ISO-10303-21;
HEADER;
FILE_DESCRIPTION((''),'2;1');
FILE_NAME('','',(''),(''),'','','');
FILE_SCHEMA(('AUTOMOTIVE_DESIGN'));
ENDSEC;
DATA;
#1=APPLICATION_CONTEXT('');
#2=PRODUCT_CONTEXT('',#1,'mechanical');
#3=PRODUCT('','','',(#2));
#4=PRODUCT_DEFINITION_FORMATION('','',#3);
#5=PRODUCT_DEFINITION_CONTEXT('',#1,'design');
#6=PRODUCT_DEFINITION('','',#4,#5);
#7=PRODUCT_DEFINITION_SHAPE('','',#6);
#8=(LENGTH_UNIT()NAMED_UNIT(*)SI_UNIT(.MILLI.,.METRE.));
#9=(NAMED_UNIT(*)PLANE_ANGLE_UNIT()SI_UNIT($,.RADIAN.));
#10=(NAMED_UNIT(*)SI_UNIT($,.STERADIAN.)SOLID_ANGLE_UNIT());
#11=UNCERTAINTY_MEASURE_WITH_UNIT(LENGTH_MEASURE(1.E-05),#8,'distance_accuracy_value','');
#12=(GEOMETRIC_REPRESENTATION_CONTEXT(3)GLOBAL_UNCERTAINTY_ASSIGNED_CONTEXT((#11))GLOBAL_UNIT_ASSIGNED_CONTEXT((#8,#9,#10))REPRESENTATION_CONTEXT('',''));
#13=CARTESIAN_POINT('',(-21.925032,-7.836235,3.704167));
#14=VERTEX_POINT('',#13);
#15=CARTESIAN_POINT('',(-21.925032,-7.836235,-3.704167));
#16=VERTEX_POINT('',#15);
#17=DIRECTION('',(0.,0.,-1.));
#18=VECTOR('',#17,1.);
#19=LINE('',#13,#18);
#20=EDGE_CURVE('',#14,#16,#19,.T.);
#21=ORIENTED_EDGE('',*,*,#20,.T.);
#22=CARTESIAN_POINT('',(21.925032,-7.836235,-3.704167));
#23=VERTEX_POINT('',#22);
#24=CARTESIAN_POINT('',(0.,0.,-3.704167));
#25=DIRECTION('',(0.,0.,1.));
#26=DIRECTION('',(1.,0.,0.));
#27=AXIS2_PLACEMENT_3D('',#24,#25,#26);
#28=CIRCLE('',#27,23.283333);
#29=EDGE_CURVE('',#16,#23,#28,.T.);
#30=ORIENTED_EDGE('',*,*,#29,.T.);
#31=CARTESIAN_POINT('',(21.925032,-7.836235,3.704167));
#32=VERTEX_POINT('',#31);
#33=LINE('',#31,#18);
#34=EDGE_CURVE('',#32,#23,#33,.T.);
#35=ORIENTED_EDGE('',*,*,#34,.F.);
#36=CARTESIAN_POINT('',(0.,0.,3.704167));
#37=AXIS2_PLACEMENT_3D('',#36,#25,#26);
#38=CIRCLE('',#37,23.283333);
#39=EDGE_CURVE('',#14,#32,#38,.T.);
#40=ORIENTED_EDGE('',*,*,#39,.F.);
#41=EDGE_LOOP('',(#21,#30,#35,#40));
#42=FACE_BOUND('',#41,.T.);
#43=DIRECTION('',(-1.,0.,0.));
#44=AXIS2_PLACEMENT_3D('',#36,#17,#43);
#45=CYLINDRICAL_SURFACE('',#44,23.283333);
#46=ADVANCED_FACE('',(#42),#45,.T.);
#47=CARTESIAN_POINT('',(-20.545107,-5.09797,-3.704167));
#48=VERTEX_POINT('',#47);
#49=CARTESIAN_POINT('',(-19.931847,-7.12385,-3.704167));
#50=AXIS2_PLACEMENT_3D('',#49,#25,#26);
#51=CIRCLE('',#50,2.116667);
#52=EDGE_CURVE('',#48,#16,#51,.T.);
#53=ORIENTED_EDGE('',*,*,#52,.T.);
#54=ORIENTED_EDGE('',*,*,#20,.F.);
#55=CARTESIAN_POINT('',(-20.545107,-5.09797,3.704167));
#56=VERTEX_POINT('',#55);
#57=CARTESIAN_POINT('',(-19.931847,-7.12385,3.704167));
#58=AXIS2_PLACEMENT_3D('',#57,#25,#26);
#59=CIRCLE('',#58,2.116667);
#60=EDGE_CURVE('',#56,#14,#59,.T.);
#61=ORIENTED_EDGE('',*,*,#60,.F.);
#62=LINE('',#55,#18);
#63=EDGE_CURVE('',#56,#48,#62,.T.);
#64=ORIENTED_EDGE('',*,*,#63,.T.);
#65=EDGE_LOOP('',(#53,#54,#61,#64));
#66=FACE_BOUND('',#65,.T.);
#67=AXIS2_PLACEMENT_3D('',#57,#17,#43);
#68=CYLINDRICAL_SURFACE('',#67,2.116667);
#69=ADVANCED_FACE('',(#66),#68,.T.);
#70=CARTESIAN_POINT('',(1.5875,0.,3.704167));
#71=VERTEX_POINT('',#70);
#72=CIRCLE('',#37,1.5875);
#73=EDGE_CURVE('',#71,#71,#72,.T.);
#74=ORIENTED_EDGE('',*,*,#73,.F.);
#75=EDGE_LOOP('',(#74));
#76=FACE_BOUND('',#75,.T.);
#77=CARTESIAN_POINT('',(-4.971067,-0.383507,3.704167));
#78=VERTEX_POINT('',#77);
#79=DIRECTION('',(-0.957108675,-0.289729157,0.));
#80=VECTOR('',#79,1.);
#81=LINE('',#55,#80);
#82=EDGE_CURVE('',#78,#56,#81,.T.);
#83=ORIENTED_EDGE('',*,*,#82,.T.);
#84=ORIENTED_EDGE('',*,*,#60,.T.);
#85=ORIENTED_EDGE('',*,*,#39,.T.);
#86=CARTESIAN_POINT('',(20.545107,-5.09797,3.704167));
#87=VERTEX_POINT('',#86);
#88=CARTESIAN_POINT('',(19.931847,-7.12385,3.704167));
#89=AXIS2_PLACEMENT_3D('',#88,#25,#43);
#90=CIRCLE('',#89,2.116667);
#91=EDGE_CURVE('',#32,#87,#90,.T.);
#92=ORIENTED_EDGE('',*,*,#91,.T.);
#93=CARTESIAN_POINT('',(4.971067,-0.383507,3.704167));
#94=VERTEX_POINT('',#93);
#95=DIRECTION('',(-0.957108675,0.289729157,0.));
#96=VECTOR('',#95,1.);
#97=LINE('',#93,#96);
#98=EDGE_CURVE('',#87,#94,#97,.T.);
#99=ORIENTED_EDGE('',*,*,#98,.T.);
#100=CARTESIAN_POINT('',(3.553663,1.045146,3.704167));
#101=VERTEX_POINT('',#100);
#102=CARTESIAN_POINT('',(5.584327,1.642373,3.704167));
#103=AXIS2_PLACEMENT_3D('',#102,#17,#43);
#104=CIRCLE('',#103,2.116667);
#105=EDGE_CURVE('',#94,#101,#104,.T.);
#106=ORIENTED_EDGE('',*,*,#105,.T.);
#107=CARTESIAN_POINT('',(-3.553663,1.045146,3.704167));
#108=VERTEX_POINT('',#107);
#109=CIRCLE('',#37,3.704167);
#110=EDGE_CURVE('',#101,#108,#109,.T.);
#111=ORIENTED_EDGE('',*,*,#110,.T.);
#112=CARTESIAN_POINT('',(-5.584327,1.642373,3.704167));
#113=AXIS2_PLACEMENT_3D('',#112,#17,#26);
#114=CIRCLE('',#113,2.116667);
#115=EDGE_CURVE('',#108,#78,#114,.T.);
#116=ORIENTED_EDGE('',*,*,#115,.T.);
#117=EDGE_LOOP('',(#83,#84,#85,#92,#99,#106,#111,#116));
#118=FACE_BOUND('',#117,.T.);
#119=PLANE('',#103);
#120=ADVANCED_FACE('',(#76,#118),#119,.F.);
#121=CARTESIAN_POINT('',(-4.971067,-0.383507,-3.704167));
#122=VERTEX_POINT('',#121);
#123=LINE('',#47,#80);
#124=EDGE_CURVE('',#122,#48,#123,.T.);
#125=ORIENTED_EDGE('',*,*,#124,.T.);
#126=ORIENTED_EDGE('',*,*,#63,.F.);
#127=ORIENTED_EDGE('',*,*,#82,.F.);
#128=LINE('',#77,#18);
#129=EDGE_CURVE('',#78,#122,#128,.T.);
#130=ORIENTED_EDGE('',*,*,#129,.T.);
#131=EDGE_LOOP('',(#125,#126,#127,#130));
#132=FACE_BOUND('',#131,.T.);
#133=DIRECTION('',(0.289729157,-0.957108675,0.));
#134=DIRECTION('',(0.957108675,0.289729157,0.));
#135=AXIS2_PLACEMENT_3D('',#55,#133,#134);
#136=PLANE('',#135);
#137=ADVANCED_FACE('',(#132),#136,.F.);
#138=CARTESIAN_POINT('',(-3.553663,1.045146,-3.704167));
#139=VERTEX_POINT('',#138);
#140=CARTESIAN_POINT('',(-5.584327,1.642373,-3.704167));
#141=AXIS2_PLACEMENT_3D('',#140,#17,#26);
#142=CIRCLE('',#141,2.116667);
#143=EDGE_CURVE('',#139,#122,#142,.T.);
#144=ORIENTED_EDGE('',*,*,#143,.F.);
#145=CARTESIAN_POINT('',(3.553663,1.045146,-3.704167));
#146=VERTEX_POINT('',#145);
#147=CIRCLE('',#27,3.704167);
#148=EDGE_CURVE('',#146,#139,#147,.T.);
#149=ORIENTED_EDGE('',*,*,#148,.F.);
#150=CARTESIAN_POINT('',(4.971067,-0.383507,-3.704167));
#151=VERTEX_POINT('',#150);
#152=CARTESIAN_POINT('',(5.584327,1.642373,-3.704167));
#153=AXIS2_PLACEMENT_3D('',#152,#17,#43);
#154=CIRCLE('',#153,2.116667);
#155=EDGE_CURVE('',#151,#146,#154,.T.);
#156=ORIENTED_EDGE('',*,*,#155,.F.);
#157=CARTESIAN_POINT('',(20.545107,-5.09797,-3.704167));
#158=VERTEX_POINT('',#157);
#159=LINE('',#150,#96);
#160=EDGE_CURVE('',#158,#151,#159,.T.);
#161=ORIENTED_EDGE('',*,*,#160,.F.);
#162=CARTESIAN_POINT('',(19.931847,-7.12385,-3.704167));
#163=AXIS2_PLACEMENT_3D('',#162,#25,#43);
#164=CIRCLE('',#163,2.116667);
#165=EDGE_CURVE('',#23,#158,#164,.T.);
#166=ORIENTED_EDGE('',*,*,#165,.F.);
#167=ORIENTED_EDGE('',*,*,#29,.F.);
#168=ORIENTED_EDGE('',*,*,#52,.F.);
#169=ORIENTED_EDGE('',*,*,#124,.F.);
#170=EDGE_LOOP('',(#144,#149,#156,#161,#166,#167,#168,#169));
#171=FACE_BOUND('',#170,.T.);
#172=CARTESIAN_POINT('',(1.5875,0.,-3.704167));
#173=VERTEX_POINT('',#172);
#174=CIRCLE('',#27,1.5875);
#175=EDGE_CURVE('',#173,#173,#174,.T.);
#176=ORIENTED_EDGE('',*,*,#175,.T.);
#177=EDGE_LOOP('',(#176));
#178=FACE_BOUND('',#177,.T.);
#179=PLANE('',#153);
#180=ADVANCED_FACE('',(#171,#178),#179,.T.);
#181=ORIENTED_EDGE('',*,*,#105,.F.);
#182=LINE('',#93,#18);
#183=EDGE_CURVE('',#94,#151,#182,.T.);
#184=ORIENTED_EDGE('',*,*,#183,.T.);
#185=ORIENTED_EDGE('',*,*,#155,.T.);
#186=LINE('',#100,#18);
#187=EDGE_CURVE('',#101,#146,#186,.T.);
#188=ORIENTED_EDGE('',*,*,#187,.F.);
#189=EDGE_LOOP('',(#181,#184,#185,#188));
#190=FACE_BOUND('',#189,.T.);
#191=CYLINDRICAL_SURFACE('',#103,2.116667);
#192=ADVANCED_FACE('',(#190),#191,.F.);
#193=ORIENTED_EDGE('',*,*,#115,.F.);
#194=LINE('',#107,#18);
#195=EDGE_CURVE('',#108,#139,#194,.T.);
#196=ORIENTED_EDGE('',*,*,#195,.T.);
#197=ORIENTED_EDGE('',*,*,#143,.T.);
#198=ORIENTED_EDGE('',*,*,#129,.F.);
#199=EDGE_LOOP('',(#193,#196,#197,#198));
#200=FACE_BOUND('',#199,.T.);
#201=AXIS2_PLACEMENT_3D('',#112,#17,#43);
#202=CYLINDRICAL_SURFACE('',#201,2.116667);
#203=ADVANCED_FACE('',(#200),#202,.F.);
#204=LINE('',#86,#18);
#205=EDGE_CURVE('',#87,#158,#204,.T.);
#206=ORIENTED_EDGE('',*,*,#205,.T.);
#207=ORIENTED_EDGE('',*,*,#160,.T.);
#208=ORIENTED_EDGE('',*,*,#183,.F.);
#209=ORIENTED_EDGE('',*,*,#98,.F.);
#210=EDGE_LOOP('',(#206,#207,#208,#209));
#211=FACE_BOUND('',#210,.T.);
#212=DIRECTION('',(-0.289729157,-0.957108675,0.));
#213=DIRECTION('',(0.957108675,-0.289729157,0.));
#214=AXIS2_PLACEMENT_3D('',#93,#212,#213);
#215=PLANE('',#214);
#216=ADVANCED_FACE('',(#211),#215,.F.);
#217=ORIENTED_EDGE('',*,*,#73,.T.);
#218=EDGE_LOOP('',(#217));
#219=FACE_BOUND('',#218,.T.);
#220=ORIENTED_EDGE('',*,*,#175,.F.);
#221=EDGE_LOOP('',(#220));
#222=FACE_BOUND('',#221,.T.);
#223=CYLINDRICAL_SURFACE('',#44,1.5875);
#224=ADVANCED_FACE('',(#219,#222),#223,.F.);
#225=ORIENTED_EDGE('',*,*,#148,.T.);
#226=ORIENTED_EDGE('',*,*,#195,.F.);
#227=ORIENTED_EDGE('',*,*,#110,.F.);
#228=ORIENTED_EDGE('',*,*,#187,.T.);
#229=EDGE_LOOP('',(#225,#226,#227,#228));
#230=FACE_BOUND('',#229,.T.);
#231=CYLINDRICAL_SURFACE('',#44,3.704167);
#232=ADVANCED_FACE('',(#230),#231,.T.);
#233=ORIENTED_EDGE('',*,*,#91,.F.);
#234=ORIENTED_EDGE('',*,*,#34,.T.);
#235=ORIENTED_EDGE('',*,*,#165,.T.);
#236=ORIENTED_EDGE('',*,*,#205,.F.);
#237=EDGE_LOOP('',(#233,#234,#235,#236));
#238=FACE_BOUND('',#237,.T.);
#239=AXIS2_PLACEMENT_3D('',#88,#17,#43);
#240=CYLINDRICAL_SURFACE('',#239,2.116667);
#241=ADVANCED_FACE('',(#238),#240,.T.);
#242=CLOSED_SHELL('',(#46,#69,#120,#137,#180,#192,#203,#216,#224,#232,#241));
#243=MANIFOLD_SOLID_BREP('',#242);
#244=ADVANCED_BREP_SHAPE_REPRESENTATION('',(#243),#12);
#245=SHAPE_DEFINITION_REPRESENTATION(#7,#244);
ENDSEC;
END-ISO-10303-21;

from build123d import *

# Parameters (mm, degrees)
SKETCH2_R           = 19.05
BOSS_EXTRUDE1_DEPTH = 44.45
SCALE1_SCALE        = 0.083333333


with BuildPart() as part:
    # Sketch2 → Boss-Extrude1 (new body, symmetric)
    with BuildSketch(Plane.XY):
        with BuildLine():
            Line((-246.541287735, -61.175642711), (-59.652807836, -4.602086269))
            ThreePointArc((-59.652807836, -4.602086269), (-48.980567788, 1.8190908), (-42.643954444, 12.541756231))
            ThreePointArc((-42.643954444, 12.541756231), (0, 44.45), (42.643954444, 12.541756231))
            ThreePointArc((42.643954444, 12.541756231), (48.980567788, 1.8190908), (59.652807836, -4.602086269))
            Line((59.652807836, -4.602086269), (246.541287735, -61.175642711))
            ThreePointArc((246.541287735, -61.175642711), (261.864746274, -74.055516083), (263.100383875, -94.034823363))
            ThreePointArc((263.100383875, -94.034823363), (0, -279.4), (-263.100383875, -94.034823363))
            ThreePointArc((-263.100383875, -94.034823363), (-261.864746274, -74.055516083), (-246.541287735, -61.175642711))
        make_face()
        Circle(SKETCH2_R, mode=Mode.SUBTRACT)
    extrude(amount=BOSS_EXTRUDE1_DEPTH, both=True)


with BuildPart() as part_1:
    # Scale1: scaled about (0, 0, 0)
    add(part.part.scale(SCALE1_SCALE))


solid = part_1.part
